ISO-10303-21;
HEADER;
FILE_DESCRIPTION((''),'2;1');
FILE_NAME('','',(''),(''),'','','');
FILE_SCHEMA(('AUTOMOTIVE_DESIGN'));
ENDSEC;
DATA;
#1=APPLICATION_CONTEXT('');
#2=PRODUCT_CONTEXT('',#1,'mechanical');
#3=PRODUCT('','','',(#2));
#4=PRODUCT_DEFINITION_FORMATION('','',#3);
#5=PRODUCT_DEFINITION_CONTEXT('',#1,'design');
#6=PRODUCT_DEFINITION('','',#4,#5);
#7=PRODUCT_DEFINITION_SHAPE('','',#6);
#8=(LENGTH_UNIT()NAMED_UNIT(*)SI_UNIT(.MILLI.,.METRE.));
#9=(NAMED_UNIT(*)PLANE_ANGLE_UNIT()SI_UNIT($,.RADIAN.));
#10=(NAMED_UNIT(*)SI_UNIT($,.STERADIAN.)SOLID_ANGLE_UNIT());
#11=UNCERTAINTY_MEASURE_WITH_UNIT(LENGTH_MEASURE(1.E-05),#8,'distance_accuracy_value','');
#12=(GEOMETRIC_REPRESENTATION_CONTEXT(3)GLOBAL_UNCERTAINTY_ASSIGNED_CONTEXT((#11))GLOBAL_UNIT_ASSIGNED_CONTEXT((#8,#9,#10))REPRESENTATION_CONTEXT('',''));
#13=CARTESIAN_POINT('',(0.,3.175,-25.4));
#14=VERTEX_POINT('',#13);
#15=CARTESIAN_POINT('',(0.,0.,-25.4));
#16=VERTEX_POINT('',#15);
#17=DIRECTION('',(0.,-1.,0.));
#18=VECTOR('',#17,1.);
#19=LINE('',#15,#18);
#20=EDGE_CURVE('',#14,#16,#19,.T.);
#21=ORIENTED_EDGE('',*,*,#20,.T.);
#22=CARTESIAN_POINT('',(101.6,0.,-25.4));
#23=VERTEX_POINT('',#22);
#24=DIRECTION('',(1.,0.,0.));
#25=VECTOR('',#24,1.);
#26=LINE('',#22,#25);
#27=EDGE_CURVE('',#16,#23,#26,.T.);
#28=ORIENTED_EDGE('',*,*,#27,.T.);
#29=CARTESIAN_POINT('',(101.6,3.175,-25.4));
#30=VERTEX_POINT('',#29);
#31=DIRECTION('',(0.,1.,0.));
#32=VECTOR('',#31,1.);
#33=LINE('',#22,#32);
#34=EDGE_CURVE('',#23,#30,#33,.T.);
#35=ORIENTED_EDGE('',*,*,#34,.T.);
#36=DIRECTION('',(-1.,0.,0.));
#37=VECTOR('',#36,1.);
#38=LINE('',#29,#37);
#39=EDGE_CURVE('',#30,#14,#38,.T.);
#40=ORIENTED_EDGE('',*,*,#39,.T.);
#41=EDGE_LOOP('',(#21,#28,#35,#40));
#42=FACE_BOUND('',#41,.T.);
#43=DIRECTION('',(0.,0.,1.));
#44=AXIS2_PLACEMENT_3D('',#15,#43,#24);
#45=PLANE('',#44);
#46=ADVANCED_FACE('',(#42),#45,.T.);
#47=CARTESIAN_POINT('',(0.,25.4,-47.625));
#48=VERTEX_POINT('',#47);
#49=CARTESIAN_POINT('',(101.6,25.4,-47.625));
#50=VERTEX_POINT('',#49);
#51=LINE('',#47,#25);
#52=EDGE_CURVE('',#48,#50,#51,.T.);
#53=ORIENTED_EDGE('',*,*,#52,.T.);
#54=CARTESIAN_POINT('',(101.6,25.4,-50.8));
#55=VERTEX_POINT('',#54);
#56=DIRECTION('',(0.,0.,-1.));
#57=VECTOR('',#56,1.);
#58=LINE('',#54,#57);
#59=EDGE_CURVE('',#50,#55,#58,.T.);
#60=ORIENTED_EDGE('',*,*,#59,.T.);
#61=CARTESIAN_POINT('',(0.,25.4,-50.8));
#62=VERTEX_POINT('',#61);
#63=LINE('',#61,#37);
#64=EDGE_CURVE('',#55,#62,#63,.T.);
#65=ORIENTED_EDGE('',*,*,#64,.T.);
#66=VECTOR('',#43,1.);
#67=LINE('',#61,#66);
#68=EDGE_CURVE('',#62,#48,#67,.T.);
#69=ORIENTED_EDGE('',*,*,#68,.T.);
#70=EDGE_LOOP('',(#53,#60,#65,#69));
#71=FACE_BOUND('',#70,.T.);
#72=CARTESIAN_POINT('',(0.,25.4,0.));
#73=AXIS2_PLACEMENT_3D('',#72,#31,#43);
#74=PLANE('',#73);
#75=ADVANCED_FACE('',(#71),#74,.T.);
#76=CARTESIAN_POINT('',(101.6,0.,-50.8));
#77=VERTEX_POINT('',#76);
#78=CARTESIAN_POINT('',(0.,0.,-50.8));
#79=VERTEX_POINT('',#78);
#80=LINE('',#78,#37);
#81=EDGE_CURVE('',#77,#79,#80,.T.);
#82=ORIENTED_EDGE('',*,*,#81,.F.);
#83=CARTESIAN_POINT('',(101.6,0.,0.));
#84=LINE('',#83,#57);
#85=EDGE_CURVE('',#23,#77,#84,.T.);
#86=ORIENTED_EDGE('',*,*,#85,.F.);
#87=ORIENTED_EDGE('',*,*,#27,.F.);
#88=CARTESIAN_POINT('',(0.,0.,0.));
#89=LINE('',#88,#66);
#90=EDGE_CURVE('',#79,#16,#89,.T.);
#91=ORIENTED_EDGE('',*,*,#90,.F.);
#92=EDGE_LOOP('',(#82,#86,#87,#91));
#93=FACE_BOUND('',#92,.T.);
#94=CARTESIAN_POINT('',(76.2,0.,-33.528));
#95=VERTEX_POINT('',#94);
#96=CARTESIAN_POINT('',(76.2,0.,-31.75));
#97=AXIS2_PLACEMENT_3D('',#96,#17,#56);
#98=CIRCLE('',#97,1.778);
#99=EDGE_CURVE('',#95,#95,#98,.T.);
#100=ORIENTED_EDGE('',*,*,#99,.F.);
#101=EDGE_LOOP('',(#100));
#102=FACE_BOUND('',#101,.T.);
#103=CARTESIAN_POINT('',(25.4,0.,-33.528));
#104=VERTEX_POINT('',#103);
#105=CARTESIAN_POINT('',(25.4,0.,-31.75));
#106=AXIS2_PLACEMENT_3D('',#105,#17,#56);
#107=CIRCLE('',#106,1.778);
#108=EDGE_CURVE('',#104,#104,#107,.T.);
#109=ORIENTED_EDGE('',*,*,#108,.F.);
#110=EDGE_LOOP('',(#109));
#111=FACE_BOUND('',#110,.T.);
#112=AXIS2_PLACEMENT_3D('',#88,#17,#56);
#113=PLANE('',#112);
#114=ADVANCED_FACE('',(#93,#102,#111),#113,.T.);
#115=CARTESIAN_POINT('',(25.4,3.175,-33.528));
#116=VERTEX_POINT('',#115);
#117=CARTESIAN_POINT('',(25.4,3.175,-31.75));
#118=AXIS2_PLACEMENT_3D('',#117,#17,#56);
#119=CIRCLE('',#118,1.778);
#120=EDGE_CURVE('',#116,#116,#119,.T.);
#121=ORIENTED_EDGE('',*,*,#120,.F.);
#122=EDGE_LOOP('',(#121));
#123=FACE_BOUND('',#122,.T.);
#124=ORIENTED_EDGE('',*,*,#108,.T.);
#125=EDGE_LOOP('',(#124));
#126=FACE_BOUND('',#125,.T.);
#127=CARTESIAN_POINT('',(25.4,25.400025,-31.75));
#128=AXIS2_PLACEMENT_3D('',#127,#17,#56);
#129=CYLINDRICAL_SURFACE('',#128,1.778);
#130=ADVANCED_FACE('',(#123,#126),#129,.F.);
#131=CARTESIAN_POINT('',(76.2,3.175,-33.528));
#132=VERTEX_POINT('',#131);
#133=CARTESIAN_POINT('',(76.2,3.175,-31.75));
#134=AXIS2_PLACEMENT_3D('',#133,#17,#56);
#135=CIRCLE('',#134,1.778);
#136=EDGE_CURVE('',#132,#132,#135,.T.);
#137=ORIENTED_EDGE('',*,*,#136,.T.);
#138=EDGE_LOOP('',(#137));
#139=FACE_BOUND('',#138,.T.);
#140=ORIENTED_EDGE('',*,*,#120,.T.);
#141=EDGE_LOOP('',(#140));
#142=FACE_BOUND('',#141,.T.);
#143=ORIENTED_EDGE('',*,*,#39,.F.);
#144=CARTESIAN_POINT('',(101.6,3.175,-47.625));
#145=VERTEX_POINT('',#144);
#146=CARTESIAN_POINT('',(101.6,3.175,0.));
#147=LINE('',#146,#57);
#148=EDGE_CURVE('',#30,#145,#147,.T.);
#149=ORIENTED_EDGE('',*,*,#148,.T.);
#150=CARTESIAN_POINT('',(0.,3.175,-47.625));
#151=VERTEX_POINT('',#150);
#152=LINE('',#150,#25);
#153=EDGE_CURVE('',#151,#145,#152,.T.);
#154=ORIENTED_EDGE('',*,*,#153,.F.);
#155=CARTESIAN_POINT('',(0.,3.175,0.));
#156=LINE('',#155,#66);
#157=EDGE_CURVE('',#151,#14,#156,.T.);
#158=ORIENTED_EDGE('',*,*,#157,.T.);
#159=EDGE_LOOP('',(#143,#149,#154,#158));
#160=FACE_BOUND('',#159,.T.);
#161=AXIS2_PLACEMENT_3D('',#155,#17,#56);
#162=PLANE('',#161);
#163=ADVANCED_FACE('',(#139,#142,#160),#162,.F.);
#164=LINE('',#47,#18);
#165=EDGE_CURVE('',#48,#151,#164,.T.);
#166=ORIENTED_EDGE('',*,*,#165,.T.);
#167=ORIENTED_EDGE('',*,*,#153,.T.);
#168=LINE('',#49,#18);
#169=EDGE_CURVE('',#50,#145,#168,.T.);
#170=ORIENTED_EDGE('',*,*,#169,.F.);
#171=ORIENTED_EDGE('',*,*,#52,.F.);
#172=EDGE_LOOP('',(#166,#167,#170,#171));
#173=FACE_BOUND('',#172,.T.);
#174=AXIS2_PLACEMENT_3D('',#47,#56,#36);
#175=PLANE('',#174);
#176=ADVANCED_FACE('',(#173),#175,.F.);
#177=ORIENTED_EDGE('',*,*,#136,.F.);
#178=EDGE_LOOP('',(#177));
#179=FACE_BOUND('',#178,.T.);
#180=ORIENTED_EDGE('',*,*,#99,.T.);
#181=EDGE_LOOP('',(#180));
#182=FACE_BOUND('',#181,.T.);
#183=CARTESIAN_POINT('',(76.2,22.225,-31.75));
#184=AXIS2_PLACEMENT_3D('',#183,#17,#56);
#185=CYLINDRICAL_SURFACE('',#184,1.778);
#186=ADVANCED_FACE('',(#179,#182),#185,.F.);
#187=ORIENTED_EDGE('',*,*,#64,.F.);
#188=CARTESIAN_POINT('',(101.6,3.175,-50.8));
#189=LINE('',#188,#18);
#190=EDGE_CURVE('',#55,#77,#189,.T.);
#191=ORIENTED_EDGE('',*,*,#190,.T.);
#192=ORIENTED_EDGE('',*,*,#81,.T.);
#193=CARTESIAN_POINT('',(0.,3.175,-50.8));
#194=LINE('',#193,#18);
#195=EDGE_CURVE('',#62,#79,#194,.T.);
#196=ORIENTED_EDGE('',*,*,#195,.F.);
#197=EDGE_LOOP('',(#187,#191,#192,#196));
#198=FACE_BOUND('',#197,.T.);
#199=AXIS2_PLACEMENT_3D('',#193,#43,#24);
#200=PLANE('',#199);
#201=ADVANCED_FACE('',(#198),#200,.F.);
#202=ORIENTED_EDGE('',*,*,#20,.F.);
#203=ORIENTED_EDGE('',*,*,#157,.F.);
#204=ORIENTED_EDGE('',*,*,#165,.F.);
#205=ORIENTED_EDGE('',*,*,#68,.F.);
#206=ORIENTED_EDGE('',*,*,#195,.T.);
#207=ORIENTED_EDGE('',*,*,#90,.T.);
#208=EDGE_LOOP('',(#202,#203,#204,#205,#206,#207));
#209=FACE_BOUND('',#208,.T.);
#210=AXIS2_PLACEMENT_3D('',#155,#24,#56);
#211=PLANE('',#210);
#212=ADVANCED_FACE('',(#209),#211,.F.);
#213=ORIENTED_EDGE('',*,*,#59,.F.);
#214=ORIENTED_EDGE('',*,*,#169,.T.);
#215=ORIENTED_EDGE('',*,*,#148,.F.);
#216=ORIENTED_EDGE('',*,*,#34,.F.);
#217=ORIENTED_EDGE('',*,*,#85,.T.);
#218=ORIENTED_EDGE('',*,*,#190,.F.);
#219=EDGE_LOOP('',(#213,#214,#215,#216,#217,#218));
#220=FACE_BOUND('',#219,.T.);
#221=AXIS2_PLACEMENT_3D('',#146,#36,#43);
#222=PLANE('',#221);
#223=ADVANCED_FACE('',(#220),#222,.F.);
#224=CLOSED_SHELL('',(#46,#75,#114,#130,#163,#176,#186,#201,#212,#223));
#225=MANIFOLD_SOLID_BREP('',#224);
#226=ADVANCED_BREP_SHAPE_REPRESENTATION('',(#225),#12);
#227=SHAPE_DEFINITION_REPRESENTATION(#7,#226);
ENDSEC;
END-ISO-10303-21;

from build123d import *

# Parameters (mm, degrees)
SKETCH1_W           = 101.6
SKETCH1_H           = 50.8
BOSS_EXTRUDE1_DEPTH = 3.175
SKETCH3_W           = 101.6
SKETCH3_H           = 3.175
BOSS_EXTRUDE2_DEPTH = 22.225
SKETCH4_R           = 1.778
CUT_EXTRUDE1_DEPTH  = 117.397422652
SKETCH4_3_R         = 1.778
CUT_EXTRUDE2_DEPTH  = 22.225
SKETCH7_W           = 101.6
SKETCH7_H           = 3.175
CUT_EXTRUDE3_DEPTH  = 25.4


with BuildPart() as part:
    # Sketch1 → Boss-Extrude1 (new body)
    with BuildSketch(Plane(origin=(0, 0, 0), x_dir=(1, 0, 0), z_dir=(0, 1, 0))):
        with Locations((50.8, 25.4)):
            Rectangle(SKETCH1_W, SKETCH1_H)
    extrude(amount=BOSS_EXTRUDE1_DEPTH)

    # Sketch3 → Boss-Extrude2 (add)
    with BuildSketch(Plane(origin=(0, 3.175, 0), x_dir=(1, 0, 0), z_dir=(0, 1, 0))):
        with Locations((50.8, 49.2125)):
            Rectangle(SKETCH3_W, SKETCH3_H)
    extrude(amount=BOSS_EXTRUDE2_DEPTH)

    # Sketch4 → Cut-Extrude1 (cut, through all)
    with BuildSketch(Plane(origin=(0, 0, 0), x_dir=(-1, 0, 0), z_dir=(0, -1, 0))):
        with Locations((-25.4, 31.75)):
            Circle(SKETCH4_R)
    extrude(amount=-CUT_EXTRUDE1_DEPTH, mode=Mode.SUBTRACT)

    # Sketch4<3> → Cut-Extrude2 (cut)
    with BuildSketch(Plane(origin=(0, 0, 0), x_dir=(-1, 0, 0), z_dir=(0, -1, 0))):
        with Locations((-25.4, 31.75)):
            Circle(SKETCH4_3_R)
        with Locations((-76.2, 31.75)):
            Circle(SKETCH4_3_R)
    extrude(amount=-CUT_EXTRUDE2_DEPTH, mode=Mode.SUBTRACT)

    # Sketch7 → Cut-Extrude3 (cut)
    with BuildSketch(Plane.XY):
        with Locations((50.8, 1.5875)):
            Rectangle(SKETCH7_W, SKETCH7_H)
    extrude(amount=-CUT_EXTRUDE3_DEPTH, mode=Mode.SUBTRACT)


solid = part.part
